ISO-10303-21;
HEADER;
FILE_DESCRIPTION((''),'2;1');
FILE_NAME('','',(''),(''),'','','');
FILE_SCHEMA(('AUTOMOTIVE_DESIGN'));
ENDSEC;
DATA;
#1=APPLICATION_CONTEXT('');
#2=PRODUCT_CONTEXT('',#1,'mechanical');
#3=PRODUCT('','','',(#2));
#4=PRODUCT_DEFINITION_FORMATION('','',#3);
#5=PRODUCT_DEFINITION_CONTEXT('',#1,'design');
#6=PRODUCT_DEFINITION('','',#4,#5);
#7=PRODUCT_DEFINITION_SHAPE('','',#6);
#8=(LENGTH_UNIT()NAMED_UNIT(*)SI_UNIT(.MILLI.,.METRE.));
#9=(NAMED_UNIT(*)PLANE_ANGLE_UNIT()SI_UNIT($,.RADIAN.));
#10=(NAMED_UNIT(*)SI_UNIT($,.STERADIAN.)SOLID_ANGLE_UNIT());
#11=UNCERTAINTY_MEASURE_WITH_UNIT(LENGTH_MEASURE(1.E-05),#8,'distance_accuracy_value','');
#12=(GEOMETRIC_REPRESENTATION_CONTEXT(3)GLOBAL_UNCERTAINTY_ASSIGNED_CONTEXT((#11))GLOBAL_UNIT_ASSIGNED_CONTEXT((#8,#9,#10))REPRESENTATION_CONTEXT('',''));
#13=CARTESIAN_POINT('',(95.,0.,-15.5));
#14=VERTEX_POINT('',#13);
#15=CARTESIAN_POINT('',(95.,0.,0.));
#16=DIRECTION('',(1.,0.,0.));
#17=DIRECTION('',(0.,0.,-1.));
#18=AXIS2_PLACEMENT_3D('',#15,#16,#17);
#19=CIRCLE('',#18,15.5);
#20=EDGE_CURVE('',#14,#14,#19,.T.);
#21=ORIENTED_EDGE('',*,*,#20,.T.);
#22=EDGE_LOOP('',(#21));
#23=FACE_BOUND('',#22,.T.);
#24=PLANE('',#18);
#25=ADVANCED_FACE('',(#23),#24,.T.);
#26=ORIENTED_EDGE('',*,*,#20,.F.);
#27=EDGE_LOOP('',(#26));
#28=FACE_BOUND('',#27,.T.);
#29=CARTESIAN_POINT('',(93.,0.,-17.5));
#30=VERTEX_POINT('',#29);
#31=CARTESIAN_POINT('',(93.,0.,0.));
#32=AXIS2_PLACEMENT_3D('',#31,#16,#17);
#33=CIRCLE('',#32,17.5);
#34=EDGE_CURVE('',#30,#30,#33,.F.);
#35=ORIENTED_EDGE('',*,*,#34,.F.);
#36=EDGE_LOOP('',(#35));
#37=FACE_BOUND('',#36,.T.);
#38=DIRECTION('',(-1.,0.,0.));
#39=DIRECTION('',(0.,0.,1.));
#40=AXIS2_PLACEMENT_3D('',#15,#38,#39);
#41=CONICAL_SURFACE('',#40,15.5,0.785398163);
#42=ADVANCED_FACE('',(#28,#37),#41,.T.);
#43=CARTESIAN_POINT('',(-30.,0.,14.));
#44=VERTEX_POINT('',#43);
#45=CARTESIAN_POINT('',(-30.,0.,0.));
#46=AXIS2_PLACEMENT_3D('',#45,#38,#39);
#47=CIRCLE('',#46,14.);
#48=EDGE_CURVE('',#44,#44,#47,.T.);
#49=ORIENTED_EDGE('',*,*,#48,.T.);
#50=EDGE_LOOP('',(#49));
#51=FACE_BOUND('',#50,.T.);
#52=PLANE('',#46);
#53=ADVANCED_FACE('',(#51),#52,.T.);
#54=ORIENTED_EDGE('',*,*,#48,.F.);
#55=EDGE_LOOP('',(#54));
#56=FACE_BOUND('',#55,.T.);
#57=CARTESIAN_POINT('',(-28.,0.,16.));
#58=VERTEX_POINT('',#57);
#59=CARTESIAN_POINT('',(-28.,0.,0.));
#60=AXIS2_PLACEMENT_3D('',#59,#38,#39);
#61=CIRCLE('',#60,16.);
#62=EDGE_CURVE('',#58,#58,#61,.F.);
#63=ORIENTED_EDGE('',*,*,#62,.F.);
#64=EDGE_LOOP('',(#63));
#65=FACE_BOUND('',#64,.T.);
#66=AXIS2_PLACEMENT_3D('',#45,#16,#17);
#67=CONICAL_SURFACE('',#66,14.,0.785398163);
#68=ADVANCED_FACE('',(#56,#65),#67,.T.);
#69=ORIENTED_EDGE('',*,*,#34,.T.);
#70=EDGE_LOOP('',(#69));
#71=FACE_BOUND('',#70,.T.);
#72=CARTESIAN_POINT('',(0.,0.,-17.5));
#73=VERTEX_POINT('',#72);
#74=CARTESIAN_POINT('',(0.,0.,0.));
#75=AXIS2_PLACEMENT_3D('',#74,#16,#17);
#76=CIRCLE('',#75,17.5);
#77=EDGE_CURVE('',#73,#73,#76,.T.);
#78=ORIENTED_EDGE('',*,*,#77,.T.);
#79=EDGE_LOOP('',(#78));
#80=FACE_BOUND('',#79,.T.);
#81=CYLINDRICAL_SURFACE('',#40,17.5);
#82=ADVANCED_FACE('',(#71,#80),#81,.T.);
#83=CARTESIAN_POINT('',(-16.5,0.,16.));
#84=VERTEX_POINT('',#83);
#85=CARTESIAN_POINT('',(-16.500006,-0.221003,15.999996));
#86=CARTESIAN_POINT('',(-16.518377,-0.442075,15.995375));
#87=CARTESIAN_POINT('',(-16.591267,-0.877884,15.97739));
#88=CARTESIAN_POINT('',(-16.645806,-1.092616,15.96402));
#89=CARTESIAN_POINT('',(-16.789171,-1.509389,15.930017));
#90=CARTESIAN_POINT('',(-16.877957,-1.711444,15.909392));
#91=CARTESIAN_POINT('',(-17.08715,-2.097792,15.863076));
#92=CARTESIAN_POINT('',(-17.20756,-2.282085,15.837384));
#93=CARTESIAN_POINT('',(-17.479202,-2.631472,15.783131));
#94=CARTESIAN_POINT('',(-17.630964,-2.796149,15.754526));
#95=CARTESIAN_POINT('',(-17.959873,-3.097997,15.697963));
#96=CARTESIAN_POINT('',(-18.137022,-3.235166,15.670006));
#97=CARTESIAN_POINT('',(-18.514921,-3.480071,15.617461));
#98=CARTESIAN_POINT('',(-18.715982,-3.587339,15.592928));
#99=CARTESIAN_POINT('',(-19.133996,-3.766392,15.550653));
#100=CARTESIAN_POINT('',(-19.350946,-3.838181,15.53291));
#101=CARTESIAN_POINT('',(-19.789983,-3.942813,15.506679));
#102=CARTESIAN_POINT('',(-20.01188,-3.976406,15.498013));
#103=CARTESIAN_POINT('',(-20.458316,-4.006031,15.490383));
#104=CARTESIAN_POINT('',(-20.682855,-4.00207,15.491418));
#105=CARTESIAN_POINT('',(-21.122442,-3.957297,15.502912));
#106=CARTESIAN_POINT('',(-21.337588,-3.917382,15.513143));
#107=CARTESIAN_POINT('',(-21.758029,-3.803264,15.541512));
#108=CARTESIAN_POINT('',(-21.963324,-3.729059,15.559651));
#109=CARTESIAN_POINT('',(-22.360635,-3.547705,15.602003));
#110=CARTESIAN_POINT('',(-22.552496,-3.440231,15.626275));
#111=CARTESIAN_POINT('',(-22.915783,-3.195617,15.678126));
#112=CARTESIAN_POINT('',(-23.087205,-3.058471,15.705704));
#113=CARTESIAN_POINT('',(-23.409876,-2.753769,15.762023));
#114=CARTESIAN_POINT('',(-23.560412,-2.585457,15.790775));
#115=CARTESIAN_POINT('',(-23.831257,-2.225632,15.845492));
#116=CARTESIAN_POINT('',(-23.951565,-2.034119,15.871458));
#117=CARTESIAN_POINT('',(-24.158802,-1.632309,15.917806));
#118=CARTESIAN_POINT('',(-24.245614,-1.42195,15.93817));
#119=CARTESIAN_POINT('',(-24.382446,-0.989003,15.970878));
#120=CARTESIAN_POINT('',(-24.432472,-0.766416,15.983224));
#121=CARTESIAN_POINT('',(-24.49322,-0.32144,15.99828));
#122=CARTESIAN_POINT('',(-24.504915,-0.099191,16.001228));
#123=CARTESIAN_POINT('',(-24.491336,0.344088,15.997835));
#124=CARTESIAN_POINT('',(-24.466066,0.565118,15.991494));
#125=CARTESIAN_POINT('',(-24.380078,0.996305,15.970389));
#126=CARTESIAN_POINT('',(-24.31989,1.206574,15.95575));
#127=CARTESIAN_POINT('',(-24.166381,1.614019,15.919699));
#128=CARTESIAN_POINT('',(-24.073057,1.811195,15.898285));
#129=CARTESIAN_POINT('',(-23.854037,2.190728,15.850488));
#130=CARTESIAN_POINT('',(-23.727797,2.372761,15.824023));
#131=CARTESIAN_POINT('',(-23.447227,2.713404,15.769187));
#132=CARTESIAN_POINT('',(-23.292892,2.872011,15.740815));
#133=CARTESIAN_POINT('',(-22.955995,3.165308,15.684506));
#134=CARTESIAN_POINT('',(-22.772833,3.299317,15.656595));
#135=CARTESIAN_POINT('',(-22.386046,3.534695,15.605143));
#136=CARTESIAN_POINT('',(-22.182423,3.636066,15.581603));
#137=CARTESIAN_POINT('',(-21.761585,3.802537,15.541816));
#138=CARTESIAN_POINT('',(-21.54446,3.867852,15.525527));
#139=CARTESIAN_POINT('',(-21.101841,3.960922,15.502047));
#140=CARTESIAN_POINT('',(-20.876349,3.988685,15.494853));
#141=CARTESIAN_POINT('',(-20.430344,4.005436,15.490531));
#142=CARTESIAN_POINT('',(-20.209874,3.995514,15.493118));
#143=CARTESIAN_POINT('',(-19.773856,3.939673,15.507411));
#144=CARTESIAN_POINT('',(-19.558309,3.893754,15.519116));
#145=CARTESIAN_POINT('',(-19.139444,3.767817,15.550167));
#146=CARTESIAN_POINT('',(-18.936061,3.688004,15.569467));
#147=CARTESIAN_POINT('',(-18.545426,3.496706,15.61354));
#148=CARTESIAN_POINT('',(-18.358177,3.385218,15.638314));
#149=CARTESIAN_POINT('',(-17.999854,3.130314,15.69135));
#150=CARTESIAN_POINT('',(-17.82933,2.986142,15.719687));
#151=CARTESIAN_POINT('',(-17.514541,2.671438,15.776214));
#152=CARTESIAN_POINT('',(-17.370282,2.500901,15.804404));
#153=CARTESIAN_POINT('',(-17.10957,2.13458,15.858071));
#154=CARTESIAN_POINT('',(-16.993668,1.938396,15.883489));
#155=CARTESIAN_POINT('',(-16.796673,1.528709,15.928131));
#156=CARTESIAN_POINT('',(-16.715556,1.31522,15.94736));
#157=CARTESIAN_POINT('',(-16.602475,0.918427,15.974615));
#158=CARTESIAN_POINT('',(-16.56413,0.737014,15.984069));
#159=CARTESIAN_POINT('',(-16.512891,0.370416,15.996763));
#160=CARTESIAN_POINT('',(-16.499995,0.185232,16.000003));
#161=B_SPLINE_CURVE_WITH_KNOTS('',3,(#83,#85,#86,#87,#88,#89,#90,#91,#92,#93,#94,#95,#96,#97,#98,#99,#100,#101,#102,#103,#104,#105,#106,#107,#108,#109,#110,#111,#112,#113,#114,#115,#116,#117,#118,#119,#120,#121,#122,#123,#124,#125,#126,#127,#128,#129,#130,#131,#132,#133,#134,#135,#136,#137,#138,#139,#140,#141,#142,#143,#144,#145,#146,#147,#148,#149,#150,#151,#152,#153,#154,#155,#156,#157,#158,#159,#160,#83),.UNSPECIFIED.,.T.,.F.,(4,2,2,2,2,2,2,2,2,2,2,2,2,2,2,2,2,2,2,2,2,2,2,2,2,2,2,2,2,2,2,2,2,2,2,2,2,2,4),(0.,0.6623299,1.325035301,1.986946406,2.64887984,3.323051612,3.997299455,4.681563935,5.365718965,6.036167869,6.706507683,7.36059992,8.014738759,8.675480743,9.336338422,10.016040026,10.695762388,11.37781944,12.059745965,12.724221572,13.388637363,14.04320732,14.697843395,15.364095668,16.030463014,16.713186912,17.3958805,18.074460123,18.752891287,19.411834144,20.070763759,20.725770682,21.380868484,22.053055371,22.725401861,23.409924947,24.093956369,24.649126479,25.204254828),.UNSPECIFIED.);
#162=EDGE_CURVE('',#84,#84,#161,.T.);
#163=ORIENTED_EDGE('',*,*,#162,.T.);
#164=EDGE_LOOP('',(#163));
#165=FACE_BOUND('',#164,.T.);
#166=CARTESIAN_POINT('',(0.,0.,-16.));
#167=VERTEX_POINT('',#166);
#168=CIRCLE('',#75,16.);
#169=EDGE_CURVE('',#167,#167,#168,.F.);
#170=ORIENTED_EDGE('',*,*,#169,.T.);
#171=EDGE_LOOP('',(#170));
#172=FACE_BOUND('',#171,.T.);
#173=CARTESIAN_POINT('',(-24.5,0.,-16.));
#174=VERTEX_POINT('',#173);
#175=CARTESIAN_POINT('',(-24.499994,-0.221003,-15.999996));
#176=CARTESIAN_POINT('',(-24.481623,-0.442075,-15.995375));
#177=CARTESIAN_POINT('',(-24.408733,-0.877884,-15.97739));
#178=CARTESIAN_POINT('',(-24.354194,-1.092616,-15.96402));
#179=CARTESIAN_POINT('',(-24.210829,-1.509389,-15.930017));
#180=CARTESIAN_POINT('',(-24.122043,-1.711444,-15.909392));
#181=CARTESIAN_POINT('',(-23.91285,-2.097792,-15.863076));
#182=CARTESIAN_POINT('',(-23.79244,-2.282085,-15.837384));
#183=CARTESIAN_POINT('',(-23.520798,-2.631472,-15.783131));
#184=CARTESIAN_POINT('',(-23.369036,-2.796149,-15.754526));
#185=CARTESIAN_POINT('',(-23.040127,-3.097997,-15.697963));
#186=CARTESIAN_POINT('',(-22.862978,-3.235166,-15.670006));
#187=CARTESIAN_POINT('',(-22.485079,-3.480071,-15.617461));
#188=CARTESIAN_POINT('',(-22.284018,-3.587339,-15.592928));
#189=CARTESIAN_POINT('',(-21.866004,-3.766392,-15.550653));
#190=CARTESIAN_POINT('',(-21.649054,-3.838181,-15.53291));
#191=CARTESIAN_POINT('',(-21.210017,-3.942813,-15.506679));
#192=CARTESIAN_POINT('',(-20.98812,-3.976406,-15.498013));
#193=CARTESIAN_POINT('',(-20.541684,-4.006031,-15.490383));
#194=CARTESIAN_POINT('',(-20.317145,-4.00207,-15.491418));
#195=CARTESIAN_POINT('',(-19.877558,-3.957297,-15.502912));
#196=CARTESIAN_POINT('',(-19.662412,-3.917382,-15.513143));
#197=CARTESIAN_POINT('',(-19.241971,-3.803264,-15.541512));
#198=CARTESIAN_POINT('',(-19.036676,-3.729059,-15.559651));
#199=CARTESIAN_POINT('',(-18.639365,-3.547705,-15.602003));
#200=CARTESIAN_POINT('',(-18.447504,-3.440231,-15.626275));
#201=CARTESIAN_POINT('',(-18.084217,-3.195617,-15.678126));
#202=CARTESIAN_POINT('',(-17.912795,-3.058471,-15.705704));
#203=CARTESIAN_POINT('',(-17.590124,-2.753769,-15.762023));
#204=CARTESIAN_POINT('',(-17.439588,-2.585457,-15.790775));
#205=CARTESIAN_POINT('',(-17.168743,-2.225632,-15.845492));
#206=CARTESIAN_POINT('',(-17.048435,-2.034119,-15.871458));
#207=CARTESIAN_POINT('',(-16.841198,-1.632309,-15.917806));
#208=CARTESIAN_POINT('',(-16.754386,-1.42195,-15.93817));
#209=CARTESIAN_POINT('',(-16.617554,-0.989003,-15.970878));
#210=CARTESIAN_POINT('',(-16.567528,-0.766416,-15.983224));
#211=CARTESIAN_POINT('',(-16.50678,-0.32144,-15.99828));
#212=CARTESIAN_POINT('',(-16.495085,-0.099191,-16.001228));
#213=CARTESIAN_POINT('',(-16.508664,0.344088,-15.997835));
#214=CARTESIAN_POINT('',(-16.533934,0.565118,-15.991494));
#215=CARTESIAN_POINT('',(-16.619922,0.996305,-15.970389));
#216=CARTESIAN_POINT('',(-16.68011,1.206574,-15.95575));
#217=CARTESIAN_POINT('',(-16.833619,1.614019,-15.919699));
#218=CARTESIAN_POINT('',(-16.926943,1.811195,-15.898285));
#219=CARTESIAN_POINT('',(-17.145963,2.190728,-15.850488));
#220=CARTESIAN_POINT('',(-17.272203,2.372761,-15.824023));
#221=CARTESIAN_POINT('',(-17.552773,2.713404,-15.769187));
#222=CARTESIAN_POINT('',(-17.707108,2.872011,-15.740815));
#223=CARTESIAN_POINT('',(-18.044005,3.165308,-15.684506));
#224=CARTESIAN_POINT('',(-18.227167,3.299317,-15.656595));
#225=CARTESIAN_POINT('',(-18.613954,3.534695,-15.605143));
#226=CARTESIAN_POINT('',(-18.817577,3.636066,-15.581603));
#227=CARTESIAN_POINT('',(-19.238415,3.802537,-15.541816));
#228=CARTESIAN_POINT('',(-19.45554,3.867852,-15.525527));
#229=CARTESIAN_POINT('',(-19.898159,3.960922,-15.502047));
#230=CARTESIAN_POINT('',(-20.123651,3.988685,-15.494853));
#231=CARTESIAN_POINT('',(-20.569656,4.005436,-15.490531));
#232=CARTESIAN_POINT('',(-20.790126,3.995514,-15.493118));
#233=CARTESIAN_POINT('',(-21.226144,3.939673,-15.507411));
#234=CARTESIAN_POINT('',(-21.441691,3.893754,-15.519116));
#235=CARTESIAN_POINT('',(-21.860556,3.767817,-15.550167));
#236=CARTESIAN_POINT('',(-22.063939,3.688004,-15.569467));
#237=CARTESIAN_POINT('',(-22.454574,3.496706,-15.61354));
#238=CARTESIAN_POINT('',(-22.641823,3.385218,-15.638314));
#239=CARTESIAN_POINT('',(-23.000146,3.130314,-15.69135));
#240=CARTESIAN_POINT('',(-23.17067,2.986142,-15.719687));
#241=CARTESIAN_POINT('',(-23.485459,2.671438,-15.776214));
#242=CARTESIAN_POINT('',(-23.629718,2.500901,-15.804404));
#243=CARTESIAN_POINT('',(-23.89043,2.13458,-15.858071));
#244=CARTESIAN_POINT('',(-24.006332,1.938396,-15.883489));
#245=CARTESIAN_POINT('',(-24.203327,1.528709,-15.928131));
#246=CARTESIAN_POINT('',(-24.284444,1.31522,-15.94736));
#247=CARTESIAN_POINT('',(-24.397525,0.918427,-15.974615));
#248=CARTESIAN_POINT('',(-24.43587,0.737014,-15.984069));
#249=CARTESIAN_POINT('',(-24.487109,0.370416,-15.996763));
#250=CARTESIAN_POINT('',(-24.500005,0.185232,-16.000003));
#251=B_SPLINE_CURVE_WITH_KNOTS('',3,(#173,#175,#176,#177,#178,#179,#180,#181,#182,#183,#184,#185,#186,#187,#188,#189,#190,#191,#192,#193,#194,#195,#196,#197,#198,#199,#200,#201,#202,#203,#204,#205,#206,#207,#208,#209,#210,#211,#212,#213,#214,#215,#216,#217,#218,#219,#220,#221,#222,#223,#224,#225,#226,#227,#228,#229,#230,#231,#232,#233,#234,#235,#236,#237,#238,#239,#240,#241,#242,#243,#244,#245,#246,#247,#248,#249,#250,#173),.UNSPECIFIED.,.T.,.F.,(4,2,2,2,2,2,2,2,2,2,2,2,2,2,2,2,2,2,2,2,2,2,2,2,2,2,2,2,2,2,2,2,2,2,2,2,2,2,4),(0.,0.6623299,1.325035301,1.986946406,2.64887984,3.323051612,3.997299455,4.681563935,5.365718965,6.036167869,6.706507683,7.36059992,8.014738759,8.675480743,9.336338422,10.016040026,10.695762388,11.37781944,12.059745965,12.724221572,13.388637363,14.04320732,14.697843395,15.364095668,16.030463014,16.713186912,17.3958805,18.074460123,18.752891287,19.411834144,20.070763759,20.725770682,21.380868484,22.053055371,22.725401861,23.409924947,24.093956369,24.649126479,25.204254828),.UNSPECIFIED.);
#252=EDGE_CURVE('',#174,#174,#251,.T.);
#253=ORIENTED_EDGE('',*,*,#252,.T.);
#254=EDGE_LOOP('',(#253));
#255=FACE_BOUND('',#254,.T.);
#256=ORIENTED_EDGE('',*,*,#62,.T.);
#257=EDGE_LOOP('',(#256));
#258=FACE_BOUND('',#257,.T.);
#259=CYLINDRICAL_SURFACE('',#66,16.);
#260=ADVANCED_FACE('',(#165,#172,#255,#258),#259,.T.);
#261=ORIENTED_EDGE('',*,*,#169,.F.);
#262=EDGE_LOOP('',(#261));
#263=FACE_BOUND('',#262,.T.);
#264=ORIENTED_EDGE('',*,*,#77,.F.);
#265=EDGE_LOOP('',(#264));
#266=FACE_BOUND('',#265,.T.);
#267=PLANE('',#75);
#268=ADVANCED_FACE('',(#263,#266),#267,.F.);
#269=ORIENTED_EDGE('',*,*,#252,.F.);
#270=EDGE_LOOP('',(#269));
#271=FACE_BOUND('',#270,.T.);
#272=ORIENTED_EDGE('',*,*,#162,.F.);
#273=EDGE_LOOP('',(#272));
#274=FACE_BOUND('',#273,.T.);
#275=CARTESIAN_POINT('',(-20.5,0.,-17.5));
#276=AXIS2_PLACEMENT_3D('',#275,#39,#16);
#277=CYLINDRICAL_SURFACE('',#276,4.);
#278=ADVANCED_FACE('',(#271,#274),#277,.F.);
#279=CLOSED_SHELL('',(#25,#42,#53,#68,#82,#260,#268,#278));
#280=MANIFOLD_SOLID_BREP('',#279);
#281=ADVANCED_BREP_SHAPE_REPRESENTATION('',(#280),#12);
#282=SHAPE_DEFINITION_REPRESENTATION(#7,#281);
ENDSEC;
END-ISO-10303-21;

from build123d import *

# Parameters (mm, degrees)
SCHIZZO1_R             = 17.5
ESTRUSIONE1_DEPTH      = 95
SCHIZZO2_R             = 16
ESTRUSIONE2_DEPTH      = 30
SMUSSO2_SIZE           = 2
SMUSSO3_SIZE           = 2
ESTRUSIONE6_DEPTH      = 99.17076958
ESTRUSIONE6_DEPTH_BACK = 99.17076958
SCHIZZO5_R             = 4


with BuildPart() as part:
    # Schizzo1 → Estrusione1 (new body)
    with BuildSketch(Plane(origin=(0, 0, 0), x_dir=(0, 0, -1), z_dir=(1, 0, 0))):
        Circle(SCHIZZO1_R)
    extrude(amount=ESTRUSIONE1_DEPTH)

    # Schizzo2 → Estrusione2 (add)
    with BuildSketch(Plane.ZY):
        with Locations(Location((0, 0, 0), (0, 0, 180))):
            Circle(SCHIZZO2_R)
    extrude(amount=ESTRUSIONE2_DEPTH)

    # Smusso2
    smusso2_edges = [part.edges().sort_by_distance(p)[0] for p in [
        (95, 0, 17.5),
    ]]
    chamfer(smusso2_edges, length=SMUSSO2_SIZE)

    # Smusso3
    smusso3_edges = [part.edges().sort_by_distance(p)[0] for p in [
        (-30, 0, 16),
    ]]
    chamfer(smusso3_edges, length=SMUSSO3_SIZE)

    # Schizzo5 → Estrusione6 (cut, two sides: drawn at the far end of the back side and taken through both)
    with BuildSketch(Plane.XY.offset(-ESTRUSIONE6_DEPTH_BACK)):
        with Locations((-20.5, 0)):
            Circle(SCHIZZO5_R)
    extrude(amount=ESTRUSIONE6_DEPTH + ESTRUSIONE6_DEPTH_BACK, mode=Mode.SUBTRACT)


solid = part.part
